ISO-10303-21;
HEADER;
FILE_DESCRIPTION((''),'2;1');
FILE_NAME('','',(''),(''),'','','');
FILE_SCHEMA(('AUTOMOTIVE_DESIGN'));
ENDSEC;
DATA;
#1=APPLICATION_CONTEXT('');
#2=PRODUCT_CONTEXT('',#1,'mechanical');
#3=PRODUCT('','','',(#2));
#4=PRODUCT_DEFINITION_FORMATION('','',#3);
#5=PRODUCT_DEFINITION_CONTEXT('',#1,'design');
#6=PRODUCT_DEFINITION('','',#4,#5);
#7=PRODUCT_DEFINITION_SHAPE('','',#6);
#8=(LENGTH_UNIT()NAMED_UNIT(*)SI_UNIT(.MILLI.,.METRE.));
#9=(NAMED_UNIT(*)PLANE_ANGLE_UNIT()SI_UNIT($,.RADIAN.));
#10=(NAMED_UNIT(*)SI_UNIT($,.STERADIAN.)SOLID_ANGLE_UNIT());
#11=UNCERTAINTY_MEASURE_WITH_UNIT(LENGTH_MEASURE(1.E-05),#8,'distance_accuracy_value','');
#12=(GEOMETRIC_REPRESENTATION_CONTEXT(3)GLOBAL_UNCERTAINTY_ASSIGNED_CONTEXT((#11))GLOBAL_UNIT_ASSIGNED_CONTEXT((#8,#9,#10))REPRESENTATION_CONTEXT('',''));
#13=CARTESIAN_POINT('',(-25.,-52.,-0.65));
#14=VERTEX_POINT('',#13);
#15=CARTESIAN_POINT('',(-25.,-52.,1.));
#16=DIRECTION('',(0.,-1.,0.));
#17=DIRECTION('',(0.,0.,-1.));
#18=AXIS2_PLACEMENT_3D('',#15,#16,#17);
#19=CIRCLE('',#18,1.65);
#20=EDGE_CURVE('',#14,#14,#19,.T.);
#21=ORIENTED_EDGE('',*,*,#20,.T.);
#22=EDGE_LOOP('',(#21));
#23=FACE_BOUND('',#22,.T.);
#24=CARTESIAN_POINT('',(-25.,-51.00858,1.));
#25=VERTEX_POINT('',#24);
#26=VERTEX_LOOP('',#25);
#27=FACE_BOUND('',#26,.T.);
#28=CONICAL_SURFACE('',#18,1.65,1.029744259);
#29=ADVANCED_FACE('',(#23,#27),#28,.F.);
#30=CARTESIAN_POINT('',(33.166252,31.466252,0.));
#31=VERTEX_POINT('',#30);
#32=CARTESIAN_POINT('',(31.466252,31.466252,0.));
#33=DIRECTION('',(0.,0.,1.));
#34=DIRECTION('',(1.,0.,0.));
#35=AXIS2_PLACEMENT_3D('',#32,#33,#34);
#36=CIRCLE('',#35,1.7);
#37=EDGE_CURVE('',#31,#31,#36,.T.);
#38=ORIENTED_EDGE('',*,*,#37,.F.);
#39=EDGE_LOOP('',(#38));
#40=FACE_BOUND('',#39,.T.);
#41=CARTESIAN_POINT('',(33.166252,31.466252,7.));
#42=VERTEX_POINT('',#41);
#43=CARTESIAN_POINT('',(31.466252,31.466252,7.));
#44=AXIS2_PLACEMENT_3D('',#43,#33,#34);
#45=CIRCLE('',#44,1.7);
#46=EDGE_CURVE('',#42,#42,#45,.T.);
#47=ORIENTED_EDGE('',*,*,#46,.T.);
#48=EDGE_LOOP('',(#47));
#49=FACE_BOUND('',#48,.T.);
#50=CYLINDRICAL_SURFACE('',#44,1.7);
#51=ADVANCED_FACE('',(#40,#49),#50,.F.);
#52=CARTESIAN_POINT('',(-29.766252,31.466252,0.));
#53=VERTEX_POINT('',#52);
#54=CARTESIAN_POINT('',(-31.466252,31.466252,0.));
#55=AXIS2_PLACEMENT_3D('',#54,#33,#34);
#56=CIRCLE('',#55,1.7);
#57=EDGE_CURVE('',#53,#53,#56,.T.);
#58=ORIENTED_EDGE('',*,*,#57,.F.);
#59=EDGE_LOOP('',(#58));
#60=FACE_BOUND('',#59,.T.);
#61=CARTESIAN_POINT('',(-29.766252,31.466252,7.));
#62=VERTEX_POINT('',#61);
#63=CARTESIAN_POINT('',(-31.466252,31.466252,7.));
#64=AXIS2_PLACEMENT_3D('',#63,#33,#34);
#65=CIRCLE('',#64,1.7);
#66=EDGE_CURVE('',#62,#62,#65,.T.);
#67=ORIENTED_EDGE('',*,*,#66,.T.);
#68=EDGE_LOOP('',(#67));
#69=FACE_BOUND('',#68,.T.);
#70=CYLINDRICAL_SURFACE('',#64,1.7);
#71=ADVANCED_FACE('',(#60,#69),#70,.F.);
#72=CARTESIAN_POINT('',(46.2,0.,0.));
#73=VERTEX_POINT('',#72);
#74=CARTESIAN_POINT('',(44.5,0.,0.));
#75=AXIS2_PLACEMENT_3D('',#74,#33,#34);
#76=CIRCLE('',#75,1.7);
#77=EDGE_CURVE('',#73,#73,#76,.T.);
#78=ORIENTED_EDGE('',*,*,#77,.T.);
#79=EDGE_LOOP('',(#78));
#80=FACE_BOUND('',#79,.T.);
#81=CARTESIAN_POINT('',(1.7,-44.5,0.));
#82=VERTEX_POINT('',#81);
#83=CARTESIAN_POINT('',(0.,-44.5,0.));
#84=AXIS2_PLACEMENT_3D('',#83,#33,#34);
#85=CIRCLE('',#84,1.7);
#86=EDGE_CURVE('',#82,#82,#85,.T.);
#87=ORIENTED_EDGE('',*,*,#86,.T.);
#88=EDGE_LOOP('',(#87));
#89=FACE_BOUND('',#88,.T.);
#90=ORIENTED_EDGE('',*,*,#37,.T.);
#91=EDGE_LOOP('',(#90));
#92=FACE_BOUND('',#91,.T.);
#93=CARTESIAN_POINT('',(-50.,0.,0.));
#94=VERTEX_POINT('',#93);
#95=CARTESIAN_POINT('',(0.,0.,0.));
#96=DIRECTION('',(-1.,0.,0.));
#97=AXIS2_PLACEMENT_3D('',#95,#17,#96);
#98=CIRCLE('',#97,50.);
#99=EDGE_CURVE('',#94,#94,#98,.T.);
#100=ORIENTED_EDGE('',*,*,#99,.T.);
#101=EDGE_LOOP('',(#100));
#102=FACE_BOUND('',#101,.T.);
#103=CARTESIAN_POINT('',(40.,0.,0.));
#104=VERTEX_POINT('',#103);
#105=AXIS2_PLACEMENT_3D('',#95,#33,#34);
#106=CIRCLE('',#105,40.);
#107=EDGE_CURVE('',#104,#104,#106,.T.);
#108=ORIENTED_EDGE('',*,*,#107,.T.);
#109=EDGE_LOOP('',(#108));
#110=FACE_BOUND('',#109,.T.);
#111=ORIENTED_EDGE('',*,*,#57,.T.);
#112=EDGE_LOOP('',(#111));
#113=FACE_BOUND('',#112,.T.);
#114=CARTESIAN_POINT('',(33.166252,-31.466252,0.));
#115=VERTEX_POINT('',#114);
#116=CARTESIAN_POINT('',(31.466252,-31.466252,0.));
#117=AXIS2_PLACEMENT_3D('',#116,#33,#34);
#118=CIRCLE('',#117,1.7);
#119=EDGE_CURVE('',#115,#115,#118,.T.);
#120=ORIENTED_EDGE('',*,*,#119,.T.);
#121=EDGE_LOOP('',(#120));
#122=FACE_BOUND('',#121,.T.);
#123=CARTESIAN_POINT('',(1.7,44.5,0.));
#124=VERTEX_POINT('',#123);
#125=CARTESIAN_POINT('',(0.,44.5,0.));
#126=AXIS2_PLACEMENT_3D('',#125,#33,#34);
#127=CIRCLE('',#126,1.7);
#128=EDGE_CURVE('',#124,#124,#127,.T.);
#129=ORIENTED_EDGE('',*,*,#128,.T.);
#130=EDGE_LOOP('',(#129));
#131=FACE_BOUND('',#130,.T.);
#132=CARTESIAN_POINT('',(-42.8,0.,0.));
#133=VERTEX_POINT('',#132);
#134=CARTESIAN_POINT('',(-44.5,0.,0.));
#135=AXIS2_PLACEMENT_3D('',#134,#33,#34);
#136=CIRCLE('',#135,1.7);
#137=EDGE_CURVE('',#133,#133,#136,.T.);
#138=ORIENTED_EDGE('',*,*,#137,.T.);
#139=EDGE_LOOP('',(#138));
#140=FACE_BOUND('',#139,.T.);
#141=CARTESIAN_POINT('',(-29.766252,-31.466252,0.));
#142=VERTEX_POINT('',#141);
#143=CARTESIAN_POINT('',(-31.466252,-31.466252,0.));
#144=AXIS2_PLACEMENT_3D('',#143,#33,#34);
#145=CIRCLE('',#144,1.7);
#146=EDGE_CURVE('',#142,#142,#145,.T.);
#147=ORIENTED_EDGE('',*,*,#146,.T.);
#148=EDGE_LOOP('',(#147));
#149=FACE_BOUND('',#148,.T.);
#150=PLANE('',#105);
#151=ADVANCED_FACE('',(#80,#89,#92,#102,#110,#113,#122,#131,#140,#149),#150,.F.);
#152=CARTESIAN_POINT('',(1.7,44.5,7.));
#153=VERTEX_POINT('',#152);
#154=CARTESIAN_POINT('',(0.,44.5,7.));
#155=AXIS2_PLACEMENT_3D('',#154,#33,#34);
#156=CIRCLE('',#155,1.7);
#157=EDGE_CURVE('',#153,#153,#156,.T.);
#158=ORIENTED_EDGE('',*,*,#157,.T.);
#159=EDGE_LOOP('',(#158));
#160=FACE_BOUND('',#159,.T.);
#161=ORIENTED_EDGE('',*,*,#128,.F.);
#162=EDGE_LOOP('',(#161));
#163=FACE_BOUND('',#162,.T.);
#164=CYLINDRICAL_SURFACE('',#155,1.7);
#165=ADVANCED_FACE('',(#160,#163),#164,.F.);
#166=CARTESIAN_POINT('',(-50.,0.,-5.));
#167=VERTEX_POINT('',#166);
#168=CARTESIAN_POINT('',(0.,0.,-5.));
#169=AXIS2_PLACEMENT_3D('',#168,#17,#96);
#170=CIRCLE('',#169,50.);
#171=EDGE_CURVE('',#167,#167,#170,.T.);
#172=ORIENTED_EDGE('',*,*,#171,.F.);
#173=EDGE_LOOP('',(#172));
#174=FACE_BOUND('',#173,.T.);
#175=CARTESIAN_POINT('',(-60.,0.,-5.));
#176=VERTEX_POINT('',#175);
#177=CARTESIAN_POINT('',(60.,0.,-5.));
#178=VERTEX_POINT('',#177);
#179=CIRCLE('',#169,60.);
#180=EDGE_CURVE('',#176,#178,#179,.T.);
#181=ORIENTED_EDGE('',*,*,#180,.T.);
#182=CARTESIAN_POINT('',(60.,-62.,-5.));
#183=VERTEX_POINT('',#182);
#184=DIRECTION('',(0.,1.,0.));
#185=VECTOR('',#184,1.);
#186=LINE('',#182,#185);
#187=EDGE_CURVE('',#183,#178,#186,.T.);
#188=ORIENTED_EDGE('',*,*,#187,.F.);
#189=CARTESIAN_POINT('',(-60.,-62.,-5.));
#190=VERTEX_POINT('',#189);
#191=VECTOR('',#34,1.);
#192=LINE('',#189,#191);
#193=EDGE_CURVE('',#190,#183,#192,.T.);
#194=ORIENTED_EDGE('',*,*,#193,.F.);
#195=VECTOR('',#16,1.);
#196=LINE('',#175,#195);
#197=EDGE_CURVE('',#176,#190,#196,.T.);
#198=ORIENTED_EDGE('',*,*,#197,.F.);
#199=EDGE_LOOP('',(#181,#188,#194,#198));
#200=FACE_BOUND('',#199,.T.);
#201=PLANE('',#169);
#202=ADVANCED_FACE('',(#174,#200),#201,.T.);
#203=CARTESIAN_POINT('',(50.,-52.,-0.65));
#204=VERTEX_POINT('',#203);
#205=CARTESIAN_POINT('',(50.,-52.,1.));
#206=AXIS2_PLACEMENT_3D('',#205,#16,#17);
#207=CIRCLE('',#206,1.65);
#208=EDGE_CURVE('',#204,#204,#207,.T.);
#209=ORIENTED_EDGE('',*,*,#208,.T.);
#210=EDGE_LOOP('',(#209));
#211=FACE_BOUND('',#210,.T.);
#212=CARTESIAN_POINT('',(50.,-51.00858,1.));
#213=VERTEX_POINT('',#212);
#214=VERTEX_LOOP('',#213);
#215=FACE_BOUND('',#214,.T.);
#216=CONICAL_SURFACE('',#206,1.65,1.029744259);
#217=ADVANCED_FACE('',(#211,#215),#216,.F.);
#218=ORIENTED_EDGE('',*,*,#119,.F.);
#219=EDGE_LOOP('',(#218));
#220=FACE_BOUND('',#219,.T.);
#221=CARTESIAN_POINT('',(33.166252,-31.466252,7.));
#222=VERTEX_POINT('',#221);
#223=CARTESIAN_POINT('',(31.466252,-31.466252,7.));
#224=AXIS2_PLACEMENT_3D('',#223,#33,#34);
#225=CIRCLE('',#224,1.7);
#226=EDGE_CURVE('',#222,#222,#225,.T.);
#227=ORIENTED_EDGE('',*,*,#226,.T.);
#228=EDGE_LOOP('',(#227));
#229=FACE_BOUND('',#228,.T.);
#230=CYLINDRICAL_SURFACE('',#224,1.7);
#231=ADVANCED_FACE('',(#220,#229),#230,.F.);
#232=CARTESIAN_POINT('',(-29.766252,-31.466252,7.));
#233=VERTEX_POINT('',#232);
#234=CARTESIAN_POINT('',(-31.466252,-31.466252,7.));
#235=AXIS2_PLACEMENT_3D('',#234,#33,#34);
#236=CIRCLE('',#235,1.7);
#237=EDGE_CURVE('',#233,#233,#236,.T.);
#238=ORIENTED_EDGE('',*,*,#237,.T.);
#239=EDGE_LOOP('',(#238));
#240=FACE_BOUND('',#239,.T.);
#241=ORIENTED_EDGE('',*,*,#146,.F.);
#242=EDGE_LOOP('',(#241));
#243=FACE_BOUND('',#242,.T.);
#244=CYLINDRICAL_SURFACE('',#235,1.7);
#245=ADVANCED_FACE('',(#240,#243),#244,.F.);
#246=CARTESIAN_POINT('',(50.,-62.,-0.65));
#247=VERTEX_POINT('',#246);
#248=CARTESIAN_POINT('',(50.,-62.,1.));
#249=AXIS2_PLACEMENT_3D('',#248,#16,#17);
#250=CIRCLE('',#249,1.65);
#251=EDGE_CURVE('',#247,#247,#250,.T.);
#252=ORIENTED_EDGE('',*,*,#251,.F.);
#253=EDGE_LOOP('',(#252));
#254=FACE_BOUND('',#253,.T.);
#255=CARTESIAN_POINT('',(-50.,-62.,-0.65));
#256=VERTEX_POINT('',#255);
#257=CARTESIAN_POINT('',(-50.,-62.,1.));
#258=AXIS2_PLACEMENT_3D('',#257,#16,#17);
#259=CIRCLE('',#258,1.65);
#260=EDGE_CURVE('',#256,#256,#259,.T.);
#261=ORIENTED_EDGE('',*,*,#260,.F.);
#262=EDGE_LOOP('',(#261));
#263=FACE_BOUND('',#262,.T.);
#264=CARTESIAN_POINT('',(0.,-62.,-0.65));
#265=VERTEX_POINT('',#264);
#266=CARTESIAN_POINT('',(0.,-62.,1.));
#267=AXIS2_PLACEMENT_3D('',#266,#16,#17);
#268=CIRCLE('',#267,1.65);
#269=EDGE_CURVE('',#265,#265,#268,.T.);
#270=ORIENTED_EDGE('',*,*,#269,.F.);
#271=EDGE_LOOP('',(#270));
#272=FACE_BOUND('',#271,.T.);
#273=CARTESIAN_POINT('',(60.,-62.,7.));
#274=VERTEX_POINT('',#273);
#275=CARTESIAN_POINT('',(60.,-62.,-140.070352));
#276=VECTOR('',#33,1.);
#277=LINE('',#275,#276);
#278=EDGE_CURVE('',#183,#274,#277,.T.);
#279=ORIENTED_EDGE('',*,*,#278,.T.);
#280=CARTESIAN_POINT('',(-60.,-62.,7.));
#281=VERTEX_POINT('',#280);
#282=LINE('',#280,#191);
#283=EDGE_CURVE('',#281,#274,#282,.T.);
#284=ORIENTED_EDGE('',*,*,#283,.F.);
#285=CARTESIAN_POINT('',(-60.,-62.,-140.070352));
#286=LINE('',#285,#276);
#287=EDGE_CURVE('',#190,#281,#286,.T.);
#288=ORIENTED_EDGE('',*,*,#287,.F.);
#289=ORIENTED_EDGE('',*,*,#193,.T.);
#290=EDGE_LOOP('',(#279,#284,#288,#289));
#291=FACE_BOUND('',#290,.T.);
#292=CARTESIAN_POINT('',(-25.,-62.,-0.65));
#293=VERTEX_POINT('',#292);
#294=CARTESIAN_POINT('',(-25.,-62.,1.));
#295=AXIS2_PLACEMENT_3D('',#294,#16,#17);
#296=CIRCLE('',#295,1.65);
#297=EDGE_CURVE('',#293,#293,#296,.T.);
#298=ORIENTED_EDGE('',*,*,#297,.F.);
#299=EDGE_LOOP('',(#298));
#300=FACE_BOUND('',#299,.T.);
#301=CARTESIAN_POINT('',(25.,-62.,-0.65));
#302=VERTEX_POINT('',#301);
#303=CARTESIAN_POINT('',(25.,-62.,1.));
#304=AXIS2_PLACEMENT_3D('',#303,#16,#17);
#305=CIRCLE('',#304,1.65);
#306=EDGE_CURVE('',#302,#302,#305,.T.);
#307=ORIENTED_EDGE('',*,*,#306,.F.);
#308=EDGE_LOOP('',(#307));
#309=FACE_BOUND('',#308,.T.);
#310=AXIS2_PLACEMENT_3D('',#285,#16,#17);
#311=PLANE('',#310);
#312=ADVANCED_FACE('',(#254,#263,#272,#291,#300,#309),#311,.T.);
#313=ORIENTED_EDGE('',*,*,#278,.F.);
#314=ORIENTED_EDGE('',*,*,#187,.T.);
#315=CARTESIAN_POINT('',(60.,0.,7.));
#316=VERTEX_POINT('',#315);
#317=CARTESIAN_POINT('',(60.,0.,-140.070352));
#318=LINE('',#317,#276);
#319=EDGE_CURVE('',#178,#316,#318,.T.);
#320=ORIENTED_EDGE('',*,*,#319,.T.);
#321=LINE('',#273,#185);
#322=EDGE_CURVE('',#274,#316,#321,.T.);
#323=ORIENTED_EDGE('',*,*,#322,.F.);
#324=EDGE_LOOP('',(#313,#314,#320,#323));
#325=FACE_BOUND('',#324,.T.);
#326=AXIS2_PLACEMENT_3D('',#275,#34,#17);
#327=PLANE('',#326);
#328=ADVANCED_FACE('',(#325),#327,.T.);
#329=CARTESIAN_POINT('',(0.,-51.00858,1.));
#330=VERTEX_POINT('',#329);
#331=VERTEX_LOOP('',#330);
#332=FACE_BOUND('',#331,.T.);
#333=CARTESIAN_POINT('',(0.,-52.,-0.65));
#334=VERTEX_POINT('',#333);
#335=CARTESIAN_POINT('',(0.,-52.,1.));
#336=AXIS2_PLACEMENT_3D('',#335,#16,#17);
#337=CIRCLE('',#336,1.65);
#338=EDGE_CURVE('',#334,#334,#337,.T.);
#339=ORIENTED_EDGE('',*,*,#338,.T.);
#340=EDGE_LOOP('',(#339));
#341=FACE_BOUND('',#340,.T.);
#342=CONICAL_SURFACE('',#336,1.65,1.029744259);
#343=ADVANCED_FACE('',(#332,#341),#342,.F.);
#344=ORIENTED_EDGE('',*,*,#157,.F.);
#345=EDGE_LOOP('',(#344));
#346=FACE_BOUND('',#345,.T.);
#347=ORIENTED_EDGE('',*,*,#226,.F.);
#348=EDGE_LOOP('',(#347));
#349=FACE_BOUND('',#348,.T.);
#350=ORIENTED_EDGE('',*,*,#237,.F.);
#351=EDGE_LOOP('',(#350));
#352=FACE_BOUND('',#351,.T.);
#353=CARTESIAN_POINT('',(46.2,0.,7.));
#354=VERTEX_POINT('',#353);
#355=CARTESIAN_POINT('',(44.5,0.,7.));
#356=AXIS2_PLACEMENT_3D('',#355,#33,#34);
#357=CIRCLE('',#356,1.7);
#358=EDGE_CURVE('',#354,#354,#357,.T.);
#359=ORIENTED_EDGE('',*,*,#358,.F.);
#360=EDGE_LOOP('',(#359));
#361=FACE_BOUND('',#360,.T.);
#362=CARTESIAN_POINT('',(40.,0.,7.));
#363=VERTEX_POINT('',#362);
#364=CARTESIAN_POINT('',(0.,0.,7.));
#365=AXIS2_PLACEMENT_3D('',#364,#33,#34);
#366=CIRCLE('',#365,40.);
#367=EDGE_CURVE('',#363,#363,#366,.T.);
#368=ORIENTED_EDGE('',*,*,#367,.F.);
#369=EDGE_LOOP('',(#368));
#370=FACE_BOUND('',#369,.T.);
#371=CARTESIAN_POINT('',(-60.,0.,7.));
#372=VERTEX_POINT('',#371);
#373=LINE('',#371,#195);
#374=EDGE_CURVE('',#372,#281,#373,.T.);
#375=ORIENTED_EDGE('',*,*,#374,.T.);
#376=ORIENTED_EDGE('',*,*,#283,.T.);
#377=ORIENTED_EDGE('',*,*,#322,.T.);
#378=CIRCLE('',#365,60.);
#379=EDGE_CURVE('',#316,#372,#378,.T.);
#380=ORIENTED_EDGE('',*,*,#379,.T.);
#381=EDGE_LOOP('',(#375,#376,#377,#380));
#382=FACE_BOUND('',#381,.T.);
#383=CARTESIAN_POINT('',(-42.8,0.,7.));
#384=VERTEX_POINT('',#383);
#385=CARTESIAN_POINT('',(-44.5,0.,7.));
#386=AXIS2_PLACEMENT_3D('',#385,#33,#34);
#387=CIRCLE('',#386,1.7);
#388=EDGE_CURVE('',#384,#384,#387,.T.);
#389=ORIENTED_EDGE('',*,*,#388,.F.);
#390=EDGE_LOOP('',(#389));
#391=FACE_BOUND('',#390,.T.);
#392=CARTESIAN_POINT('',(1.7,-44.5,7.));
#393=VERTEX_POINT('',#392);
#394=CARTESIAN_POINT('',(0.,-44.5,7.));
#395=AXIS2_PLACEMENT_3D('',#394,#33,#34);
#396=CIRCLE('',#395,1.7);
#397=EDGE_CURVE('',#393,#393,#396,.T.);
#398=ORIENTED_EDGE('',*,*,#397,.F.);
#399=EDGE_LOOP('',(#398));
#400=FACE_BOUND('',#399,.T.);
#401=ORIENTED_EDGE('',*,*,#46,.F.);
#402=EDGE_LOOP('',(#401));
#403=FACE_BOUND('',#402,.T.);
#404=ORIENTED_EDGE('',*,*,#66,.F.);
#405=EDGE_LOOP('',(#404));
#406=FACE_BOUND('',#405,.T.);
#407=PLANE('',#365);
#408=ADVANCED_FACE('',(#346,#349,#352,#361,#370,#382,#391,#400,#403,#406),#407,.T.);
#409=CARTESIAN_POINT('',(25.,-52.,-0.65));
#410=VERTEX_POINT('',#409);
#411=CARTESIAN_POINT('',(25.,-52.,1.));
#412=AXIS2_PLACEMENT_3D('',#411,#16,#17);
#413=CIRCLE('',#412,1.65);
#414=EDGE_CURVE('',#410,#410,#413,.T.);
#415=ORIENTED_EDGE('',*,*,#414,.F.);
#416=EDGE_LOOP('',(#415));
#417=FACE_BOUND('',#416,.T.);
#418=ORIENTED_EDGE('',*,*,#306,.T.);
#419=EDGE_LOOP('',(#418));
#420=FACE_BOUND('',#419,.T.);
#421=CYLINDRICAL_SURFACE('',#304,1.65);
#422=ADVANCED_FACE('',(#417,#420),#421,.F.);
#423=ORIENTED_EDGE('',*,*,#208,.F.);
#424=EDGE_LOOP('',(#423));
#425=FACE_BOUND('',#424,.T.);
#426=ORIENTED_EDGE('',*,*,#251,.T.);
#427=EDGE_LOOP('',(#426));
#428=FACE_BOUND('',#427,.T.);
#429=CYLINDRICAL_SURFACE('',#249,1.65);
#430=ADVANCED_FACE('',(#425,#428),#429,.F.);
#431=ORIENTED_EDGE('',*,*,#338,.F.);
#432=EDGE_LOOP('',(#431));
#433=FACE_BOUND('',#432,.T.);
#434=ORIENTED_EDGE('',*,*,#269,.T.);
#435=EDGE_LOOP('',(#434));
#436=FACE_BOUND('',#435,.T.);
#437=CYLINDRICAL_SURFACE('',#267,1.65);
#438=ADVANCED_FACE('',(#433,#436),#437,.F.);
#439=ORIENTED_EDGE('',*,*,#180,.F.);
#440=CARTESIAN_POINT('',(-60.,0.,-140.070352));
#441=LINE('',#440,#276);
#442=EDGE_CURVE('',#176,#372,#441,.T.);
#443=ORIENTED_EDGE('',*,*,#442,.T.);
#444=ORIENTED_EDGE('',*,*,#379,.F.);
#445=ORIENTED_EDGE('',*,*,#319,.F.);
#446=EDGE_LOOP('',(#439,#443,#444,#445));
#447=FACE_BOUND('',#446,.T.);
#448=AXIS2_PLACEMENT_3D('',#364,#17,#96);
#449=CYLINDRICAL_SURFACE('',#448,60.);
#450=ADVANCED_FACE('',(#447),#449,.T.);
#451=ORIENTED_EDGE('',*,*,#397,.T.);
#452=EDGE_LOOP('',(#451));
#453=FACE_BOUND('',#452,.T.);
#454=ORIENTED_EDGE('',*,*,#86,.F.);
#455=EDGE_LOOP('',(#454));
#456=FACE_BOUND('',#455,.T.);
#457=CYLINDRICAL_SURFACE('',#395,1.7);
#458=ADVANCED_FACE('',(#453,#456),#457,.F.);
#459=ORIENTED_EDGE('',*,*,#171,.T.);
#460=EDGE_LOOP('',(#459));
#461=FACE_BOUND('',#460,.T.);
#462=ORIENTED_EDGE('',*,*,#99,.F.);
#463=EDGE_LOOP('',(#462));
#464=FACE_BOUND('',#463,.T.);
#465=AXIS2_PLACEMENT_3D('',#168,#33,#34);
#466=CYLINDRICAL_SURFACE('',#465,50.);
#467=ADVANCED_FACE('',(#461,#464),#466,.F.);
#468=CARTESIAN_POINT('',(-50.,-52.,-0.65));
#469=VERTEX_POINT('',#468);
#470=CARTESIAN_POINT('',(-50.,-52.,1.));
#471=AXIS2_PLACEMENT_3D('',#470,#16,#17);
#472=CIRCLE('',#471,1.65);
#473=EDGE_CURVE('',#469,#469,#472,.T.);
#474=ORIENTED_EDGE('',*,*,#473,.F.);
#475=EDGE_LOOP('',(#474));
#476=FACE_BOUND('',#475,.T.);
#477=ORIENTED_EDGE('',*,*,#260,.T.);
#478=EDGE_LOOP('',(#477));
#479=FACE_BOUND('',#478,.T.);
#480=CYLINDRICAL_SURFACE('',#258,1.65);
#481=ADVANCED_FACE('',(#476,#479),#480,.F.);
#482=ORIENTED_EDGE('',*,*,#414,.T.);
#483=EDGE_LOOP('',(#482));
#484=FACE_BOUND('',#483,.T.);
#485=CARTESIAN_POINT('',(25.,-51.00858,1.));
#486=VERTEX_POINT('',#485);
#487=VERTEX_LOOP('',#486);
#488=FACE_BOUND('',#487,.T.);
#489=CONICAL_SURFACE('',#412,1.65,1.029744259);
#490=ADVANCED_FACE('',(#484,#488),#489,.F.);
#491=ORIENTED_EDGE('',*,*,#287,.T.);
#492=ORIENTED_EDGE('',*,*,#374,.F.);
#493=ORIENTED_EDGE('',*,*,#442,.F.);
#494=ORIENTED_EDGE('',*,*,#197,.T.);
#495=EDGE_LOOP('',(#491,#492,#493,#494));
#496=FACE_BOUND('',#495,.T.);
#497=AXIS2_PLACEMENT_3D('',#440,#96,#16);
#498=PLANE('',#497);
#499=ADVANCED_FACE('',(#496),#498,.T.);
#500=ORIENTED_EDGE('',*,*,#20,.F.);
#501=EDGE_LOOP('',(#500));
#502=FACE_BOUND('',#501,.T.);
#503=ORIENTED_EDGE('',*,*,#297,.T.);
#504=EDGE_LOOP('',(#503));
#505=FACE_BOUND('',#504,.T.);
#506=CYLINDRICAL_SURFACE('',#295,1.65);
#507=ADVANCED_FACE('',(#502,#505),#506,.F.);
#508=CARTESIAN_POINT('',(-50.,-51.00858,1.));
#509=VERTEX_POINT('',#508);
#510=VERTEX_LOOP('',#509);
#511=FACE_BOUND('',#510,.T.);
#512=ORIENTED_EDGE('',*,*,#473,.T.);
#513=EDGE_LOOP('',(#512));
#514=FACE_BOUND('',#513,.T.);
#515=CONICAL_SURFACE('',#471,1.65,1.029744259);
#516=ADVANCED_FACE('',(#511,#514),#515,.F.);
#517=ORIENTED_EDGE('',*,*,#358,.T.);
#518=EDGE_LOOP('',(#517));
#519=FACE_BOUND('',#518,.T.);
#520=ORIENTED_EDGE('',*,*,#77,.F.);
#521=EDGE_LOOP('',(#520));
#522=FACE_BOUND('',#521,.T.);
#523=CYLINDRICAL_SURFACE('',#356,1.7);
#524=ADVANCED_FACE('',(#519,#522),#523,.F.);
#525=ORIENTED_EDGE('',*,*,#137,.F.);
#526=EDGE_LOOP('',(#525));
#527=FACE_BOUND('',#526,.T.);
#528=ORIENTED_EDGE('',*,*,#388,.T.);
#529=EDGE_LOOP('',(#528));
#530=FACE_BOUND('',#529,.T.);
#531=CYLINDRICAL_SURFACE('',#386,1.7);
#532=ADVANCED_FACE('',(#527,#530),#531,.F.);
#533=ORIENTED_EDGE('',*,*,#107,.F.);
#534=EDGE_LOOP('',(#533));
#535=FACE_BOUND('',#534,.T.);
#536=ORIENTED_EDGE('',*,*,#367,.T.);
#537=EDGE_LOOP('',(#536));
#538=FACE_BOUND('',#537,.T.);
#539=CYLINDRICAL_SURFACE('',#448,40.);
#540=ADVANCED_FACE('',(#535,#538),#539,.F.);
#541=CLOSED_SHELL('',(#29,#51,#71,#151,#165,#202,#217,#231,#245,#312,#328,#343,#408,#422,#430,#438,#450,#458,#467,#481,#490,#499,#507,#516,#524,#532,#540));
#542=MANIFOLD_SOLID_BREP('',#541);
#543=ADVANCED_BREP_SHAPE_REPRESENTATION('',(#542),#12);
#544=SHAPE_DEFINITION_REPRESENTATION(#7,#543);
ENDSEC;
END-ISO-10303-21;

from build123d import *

# Parameters (mm, degrees)
SKETCH1_R                   = 60
SKETCH1_R_2                 = 40
BOSS_EXTRUDE1_DEPTH         = 7
M3_CLEARANCE_HOLE1_D        = 3.4
BOSS_EXTRUDE3_START         = 5
SKETCH4_R                   = 60
SKETCH4_R_2                 = 50
BOSS_EXTRUDE3_DEPTH         = 5
BOSS_EXTRUDE4_START         = -12
BOSS_EXTRUDE4_DEPTH         = 12
TAP_DRILL_FOR_M4_TAP1_D     = 3.3
TAP_DRILL_FOR_M4_TAP1_DEPTH = 10
TAP_DRILL_FOR_M4_TAP1_TIP   = 0.991420021


with BuildPart() as part:
    # Sketch1 → Boss-Extrude1 (new body)
    with BuildSketch(Plane.XY):
        Circle(SKETCH1_R)
        Circle(SKETCH1_R_2, mode=Mode.SUBTRACT)
    extrude(amount=BOSS_EXTRUDE1_DEPTH)

    # M3 Clearance Hole1 (through all)
    with Locations(Plane.XY.offset(7)):
        with Locations((-31.466251763, 31.466251763), (0, 44.5), (31.466251763, 31.466251763), (44.5, 0), (31.466251763, -31.466251763), (0, -44.5), (-31.466251763, -31.466251763), (-44.5, 0)):
            Hole(M3_CLEARANCE_HOLE1_D / 2)

    # Sketch4 → Boss-Extrude3 (add)
    with BuildSketch(Plane(origin=(0, 0, 0), x_dir=(-1, 0, 0), z_dir=(0, 0, -1)).offset(BOSS_EXTRUDE3_START)):
        Circle(SKETCH4_R)
        Circle(SKETCH4_R_2, mode=Mode.SUBTRACT)
    extrude(amount=-BOSS_EXTRUDE3_DEPTH)

    # Sketch5 → Boss-Extrude4 (add)
    with BuildSketch(Plane.XY.offset(7).offset(BOSS_EXTRUDE4_START)):
        with BuildLine():
            Line((-60, 0), (-60, -62))
            Line((-60, -62), (60, -62))
            Line((60, -62), (60, 0))
            ThreePointArc((60, 0), (0, -60), (-60, 0))
        make_face()
    extrude(amount=BOSS_EXTRUDE4_DEPTH)

    # Tap Drill for M4 Tap1
    with Locations(Plane(origin=(0, -62, 0), x_dir=(-1, 0, 0), z_dir=(0, -1, 0))):
        with Locations((-50, -1), (0, -1), (25, -1), (50, -1), (-25, -1)):
            Hole(TAP_DRILL_FOR_M4_TAP1_D / 2, depth=TAP_DRILL_FOR_M4_TAP1_DEPTH)
            with Locations((0, 0, -(TAP_DRILL_FOR_M4_TAP1_DEPTH + TAP_DRILL_FOR_M4_TAP1_TIP / 2))):  # 118° drill point
                Cone(0, TAP_DRILL_FOR_M4_TAP1_D / 2, TAP_DRILL_FOR_M4_TAP1_TIP, mode=Mode.SUBTRACT)


solid = part.part
